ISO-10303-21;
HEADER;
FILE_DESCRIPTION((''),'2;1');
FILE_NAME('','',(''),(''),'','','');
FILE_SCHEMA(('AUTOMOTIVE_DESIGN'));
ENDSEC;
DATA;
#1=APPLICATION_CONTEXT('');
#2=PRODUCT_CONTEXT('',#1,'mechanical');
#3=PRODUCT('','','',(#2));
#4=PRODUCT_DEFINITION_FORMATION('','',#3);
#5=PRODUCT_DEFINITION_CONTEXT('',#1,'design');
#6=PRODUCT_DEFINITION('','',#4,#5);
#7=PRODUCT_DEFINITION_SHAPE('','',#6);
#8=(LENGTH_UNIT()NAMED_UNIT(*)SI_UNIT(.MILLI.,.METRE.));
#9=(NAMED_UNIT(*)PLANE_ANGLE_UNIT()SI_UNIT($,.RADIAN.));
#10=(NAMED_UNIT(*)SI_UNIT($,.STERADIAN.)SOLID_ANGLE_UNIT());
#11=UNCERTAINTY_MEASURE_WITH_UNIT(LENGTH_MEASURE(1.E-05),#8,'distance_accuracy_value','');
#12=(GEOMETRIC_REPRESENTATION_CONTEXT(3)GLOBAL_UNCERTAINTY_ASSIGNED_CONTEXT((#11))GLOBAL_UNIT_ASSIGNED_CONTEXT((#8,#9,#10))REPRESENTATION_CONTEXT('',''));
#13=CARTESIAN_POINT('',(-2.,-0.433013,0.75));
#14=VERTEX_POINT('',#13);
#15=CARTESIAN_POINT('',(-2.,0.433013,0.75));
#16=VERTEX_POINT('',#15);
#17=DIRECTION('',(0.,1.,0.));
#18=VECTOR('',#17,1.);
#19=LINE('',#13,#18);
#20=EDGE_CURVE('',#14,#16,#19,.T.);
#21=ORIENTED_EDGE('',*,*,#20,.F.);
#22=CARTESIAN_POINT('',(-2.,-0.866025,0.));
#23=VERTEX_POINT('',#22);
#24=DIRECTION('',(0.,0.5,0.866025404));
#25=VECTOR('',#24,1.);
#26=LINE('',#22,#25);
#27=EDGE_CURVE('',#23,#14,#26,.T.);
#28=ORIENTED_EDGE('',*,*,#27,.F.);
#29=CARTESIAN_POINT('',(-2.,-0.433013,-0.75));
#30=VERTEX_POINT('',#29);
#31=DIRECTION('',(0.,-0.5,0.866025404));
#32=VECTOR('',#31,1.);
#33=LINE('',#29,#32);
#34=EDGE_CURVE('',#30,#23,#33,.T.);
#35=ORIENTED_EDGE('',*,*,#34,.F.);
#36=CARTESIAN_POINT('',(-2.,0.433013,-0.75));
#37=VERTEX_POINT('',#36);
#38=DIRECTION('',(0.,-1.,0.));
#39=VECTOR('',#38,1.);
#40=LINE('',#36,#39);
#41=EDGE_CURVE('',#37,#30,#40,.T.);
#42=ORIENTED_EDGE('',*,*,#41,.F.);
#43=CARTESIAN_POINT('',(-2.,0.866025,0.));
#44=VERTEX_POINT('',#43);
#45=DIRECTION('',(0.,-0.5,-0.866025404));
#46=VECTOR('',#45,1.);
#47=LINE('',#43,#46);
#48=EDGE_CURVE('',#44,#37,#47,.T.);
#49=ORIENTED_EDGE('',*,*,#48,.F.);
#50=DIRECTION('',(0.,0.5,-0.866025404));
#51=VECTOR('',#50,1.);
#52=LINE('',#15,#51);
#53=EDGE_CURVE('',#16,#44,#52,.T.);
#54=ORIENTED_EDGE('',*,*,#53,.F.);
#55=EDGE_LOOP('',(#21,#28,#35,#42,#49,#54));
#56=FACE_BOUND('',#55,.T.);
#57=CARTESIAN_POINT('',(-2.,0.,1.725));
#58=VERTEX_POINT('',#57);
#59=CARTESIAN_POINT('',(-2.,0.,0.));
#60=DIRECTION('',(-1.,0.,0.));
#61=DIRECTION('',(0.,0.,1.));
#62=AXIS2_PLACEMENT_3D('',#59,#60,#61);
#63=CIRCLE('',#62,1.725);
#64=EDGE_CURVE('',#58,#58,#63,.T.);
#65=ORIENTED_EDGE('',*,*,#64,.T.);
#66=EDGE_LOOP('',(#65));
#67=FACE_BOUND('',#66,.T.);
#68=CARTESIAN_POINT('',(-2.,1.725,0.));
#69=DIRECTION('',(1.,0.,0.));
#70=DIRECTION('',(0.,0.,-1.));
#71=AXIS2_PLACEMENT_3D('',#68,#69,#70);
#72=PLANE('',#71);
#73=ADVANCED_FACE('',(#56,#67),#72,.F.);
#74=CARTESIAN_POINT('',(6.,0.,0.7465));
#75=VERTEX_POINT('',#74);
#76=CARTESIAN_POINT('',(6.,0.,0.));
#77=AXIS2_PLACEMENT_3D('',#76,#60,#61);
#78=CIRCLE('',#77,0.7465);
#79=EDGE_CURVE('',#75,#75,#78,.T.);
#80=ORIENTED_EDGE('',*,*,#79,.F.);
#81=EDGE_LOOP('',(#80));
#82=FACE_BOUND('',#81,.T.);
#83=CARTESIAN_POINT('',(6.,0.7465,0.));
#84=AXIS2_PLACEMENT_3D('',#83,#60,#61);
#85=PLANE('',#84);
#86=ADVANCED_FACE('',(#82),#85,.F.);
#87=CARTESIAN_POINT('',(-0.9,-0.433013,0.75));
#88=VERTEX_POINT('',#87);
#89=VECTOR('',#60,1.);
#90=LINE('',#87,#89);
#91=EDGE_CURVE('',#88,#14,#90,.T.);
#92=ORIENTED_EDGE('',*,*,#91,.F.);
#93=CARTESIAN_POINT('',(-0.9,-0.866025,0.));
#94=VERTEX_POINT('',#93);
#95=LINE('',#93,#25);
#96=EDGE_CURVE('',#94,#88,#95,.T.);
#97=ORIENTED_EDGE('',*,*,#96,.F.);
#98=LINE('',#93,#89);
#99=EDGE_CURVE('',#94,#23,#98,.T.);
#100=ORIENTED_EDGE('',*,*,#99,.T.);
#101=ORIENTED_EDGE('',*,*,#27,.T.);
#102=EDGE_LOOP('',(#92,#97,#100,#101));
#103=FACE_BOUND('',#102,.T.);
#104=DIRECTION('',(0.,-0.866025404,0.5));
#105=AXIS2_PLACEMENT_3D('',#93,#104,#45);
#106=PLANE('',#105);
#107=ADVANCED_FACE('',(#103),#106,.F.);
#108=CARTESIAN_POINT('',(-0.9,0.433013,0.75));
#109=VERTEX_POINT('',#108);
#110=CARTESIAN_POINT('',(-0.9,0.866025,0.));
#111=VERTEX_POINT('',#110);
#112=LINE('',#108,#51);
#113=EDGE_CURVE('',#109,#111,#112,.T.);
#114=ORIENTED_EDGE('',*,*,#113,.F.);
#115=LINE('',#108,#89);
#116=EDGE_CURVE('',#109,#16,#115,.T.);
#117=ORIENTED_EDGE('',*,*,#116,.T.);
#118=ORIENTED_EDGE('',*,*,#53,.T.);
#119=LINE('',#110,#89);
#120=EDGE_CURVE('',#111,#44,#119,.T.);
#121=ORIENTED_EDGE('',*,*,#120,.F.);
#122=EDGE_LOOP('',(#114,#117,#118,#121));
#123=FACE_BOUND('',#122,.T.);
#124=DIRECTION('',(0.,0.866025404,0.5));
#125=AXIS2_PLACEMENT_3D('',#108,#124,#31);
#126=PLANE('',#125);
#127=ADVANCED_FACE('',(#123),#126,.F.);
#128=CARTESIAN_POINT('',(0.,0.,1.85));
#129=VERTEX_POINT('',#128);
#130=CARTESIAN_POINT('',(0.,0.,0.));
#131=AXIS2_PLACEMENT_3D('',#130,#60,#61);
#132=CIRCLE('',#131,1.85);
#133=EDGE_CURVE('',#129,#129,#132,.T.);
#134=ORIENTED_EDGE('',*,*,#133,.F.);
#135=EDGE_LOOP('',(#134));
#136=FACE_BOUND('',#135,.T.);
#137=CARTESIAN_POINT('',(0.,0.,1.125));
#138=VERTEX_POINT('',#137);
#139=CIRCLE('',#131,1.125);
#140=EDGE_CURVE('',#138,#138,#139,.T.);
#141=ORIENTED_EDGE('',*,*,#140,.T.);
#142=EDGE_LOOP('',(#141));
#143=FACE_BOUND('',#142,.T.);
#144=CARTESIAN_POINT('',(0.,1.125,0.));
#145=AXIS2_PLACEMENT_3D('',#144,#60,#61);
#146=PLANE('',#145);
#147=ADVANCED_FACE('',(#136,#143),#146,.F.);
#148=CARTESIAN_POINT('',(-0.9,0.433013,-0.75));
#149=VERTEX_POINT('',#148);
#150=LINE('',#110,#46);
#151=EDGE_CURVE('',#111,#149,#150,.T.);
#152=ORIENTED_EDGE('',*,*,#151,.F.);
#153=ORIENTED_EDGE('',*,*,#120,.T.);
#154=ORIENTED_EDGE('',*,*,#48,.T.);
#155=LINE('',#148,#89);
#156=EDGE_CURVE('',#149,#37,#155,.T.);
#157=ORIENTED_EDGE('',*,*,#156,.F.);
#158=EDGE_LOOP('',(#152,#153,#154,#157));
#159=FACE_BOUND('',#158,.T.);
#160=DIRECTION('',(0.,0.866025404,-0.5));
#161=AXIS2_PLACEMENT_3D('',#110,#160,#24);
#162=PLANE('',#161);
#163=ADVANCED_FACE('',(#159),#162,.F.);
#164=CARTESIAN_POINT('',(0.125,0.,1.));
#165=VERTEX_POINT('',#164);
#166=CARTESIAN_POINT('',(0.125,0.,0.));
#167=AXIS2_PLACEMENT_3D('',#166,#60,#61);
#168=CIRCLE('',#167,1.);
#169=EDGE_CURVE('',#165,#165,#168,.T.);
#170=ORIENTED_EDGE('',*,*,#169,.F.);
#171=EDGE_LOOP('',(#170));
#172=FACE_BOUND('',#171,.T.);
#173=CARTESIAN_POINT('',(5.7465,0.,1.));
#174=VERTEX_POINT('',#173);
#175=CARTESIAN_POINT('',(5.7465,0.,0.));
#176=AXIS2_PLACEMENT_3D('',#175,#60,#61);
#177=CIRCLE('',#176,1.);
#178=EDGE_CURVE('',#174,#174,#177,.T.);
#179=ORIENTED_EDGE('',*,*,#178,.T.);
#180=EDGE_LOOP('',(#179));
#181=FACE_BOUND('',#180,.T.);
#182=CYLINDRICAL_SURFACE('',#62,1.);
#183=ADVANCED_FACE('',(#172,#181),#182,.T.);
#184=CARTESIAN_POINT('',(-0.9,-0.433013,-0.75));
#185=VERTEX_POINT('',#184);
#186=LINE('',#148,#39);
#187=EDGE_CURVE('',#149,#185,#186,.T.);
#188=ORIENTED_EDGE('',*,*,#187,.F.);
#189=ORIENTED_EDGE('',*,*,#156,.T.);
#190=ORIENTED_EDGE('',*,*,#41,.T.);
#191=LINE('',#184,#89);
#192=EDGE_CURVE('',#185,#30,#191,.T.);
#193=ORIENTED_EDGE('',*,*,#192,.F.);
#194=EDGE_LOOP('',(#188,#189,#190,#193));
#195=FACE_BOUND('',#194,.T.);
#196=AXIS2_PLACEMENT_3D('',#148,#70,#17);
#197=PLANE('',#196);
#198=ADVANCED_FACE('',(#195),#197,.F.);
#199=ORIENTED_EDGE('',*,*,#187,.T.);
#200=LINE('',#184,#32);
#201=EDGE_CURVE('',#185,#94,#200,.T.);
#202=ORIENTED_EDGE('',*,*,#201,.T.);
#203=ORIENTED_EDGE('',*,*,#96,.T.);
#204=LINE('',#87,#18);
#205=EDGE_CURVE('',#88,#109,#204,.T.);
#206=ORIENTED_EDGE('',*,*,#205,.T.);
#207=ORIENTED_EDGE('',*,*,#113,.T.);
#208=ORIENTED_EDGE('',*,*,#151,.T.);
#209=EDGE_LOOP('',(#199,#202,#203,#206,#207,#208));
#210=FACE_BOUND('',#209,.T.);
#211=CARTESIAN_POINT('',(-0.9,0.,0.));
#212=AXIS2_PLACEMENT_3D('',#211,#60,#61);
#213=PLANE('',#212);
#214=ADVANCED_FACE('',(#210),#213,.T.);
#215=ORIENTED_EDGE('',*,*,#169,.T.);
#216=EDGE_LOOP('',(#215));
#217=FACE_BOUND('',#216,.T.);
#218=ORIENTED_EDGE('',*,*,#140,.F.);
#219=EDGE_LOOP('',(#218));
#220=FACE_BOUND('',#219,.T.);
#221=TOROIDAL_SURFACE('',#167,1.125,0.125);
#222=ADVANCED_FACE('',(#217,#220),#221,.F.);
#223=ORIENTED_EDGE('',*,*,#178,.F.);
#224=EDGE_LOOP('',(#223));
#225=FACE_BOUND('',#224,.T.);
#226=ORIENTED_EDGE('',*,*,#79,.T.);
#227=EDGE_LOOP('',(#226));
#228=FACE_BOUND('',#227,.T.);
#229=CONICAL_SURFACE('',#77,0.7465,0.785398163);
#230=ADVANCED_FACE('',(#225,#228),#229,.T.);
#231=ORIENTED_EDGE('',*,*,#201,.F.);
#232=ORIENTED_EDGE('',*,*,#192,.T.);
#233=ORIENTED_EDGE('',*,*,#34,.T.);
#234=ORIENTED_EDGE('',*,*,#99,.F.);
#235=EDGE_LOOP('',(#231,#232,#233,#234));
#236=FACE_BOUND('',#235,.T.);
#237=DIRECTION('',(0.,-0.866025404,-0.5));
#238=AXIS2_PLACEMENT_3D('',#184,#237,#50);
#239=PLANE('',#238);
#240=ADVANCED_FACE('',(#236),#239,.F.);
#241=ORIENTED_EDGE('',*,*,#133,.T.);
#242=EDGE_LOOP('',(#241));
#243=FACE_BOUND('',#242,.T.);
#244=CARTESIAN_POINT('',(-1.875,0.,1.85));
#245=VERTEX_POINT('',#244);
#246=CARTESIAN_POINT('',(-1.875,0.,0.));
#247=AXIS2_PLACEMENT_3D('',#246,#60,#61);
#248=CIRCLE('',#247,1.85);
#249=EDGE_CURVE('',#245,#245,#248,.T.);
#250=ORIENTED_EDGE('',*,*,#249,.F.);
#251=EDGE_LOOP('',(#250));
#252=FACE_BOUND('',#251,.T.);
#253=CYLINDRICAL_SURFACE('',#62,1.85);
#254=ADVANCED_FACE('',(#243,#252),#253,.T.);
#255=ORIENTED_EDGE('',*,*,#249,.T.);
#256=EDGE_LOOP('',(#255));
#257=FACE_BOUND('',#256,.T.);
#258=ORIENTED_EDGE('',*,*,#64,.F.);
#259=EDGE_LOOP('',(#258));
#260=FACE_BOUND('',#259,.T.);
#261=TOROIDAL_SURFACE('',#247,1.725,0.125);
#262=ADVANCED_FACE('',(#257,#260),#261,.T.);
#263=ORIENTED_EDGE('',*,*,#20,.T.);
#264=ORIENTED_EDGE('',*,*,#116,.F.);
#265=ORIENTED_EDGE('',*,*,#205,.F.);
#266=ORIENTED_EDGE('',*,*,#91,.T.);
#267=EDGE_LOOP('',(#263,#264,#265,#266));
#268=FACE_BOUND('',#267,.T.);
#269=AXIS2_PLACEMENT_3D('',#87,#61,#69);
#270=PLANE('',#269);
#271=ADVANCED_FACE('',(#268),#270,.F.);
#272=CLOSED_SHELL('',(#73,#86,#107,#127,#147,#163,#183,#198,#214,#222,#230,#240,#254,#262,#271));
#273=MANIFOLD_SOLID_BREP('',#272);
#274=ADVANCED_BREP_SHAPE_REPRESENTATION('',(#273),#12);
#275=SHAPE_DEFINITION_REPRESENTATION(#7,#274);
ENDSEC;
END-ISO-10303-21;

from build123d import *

# Parameters (mm, degrees)
CUT_EXTRUDE1_DEPTH = 1.1


with BuildPart() as part:
    # Sketch1 → Revolve1 (revolve)
    with BuildSketch(Plane.XY):
        with BuildLine():
            Line((5.7465, 1), (0.125, 1))
            ThreePointArc((0.125, 1), (0.036611652, 1.036611652), (0, 1.125))
            Line((0, 1.125), (0, 1.85))
            Line((0, 1.85), (-1.875, 1.85))
            ThreePointArc((-1.875, 1.85), (-1.963388348, 1.813388348), (-2, 1.725))
            Line((-2, 1.725), (-2, 0))
            Line((-2, 0), (6, 0))
            Line((6, 0), (6, 0.7465))
            Line((6, 0.7465), (5.7465, 1))
        make_face()
    revolve(axis=Axis((-2, 0, 0), (1, 0, 0)))

    # Sketch2 → Cut-Extrude1 (cut)
    with BuildSketch(Plane.ZY.offset(2)):
        Polygon((0.75, 0.433012702), (0, 0.866025404), (-0.75, 0.433012702), (-0.75, -0.433012702), (0, -0.866025404), (0.75, -0.433012702), align=None)
    extrude(amount=-CUT_EXTRUDE1_DEPTH, mode=Mode.SUBTRACT)


solid = part.part
